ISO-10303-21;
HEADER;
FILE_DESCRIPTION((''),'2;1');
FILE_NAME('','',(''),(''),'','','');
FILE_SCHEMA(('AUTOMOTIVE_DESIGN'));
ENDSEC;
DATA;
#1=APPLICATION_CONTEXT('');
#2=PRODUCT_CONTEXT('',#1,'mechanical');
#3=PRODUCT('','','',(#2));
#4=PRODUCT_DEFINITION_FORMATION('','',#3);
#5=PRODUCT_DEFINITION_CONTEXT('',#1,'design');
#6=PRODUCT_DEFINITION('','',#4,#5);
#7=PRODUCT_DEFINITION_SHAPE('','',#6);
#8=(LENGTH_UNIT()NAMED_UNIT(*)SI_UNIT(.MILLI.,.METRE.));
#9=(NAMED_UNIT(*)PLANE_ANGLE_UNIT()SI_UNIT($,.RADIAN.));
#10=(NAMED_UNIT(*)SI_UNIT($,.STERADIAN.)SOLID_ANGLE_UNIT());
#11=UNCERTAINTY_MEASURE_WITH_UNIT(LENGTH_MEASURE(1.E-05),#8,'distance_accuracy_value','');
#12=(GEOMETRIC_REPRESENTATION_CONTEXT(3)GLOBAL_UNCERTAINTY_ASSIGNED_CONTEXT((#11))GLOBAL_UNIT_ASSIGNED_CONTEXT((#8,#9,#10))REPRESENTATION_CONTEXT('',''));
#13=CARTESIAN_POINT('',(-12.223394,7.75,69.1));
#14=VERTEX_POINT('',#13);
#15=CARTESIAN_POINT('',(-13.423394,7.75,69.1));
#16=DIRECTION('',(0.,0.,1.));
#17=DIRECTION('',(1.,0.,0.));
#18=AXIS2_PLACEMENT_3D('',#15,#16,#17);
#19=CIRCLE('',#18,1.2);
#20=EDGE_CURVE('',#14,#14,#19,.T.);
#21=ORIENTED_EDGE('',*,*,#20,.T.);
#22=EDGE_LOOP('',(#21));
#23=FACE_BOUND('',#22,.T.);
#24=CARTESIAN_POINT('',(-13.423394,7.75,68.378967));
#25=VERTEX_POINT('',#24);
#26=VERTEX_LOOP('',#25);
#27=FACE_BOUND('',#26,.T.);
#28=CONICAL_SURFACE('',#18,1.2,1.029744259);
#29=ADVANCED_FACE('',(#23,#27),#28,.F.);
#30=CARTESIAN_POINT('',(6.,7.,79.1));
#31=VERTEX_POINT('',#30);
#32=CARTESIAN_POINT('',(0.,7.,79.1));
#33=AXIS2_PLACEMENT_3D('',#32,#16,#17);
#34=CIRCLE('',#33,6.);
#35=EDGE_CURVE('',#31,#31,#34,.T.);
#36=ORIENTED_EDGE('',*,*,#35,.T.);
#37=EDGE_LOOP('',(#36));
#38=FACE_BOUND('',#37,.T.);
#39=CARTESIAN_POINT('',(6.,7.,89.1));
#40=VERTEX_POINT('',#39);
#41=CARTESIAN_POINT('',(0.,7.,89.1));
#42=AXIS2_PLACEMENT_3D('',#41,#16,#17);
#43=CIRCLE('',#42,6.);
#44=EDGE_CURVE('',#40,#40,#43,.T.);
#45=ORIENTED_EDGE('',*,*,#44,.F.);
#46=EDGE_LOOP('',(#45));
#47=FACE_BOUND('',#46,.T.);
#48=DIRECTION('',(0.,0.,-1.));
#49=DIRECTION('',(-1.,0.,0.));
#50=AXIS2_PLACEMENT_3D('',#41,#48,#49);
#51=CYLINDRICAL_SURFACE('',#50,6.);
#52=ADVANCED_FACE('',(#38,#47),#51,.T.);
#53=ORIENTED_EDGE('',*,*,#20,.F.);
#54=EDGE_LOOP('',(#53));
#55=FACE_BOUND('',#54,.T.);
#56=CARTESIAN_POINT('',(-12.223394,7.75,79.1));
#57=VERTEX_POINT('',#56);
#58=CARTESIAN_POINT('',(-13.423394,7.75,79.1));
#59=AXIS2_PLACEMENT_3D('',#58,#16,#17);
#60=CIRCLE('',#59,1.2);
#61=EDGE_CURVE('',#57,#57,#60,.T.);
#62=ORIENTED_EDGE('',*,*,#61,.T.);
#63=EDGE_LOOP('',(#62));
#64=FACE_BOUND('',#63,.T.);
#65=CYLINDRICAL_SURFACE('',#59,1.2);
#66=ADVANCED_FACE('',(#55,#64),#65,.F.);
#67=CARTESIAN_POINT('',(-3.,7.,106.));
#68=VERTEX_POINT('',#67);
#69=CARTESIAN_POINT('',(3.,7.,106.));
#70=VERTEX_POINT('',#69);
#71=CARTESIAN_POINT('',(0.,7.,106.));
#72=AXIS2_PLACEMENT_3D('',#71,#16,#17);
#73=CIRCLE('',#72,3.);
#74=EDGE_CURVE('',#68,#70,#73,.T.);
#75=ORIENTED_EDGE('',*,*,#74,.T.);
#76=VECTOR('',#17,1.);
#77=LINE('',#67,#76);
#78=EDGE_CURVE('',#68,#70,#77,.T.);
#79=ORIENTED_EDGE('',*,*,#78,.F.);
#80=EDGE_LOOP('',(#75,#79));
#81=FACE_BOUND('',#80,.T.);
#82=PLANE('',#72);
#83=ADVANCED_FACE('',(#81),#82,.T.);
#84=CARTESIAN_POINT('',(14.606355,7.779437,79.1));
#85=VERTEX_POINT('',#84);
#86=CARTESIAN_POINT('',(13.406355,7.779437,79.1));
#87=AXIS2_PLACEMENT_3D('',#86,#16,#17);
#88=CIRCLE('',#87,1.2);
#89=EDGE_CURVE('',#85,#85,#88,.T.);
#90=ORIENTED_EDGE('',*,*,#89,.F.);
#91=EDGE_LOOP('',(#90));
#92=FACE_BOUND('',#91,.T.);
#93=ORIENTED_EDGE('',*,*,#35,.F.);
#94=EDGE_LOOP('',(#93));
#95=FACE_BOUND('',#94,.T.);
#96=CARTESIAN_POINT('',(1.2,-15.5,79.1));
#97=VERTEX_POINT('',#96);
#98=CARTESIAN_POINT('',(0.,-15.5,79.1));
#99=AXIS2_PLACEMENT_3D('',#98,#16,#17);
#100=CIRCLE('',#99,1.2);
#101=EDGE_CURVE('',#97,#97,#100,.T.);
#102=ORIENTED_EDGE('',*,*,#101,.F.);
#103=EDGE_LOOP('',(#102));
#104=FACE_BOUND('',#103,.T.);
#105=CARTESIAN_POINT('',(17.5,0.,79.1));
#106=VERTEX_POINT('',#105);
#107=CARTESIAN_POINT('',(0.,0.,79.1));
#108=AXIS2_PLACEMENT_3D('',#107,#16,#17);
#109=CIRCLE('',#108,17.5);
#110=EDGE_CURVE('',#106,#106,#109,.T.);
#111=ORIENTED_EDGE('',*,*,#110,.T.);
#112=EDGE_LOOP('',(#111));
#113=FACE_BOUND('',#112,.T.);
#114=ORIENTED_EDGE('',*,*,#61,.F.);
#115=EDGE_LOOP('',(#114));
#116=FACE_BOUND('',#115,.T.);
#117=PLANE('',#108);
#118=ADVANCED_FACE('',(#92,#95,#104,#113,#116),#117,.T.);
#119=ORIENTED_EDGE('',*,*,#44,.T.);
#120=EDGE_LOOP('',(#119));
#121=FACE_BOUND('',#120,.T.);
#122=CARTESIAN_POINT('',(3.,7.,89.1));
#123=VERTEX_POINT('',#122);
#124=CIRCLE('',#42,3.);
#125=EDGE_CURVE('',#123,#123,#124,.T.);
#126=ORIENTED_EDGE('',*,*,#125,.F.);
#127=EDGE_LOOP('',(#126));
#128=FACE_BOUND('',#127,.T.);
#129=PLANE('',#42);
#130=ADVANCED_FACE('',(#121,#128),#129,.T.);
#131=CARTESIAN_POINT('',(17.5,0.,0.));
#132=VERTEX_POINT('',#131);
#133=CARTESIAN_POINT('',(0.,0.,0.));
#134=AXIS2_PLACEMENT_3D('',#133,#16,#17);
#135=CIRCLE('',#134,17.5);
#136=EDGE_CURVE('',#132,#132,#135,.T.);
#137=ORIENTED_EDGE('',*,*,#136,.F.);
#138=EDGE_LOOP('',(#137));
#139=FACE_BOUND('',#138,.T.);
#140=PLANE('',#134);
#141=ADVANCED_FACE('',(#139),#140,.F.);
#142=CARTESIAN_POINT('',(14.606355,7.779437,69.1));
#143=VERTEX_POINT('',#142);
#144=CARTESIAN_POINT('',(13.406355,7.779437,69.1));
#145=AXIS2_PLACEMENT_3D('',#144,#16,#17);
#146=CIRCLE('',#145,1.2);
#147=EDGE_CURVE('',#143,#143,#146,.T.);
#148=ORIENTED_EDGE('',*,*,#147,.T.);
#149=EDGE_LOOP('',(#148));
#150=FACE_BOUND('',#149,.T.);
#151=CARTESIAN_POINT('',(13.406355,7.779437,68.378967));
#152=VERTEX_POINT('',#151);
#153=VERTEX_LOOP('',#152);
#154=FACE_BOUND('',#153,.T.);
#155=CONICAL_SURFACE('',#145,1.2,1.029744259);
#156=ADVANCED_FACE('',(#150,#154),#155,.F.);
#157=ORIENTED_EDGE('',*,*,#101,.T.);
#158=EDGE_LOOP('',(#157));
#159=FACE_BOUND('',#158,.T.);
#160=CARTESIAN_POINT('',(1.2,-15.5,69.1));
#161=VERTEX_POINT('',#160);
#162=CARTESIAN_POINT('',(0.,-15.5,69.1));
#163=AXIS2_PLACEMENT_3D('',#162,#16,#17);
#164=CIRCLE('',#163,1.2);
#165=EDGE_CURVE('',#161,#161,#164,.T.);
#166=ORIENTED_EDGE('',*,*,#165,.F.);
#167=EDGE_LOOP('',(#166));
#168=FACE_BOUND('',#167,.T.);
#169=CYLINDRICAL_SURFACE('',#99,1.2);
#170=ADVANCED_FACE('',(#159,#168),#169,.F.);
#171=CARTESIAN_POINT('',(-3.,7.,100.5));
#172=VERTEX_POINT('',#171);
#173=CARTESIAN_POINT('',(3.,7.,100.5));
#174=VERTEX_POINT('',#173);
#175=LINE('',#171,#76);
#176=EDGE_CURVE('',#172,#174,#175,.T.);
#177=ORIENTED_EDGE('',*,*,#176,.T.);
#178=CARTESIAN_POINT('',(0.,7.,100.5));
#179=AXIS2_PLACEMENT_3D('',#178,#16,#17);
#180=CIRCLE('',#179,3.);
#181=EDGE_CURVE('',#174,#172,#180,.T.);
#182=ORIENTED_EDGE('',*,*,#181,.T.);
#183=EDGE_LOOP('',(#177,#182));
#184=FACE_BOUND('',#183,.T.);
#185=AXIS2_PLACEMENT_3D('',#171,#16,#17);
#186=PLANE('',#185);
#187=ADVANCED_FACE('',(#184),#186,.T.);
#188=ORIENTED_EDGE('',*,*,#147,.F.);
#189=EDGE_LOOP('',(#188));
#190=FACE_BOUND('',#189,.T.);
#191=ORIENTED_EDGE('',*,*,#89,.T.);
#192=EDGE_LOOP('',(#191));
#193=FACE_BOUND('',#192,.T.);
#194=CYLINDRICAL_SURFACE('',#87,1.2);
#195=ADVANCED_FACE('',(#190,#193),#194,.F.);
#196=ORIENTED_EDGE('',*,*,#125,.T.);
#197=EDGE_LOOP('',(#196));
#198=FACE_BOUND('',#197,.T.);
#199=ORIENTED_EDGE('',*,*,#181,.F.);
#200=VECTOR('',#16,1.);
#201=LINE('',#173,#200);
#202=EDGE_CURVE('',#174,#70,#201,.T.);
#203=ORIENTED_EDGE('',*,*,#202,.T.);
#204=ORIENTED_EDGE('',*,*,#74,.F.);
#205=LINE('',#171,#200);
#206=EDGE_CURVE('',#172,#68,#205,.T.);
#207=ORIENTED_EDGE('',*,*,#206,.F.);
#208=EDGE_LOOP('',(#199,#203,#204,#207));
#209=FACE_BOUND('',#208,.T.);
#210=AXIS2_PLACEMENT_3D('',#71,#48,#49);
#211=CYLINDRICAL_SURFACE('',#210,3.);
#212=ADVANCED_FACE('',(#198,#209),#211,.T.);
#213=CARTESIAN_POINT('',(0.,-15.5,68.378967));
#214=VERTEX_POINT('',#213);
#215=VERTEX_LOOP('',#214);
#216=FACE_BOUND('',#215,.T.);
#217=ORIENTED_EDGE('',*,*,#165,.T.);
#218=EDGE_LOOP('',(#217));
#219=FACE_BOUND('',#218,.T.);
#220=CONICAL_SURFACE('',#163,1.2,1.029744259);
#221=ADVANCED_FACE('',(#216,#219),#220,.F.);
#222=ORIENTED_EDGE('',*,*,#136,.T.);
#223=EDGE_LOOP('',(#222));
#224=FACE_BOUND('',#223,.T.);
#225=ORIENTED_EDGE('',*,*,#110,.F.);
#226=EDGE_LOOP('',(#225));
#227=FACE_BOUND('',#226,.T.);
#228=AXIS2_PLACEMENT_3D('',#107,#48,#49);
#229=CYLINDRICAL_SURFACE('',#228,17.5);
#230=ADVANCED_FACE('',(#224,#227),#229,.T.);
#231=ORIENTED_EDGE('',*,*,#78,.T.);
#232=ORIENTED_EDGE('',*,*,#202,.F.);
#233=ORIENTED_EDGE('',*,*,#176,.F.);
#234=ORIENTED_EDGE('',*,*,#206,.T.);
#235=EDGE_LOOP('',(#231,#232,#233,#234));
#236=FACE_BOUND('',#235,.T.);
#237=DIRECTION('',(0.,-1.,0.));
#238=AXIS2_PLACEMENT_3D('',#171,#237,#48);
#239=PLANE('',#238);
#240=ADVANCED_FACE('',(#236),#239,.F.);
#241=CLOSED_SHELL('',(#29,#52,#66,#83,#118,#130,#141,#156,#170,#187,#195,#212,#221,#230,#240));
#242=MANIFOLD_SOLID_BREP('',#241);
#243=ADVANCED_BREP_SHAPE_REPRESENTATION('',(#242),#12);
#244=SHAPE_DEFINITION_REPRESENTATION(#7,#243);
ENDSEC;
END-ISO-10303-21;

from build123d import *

# Parameters (mm, degrees)
ESQUISSE1_R             = 17.5
BOSS_EXTRU_1_DEPTH      = 79.1
ESQUISSE2_R             = 6
BOSS_EXTRU_2_DEPTH      = 10
ESQUISSE3_R             = 3
BOSS_EXTRU_3_DEPTH      = 16.9
ESQUISSE4_W             = 6
ESQUISSE4_H             = 3
ENL_V_MAT_EXTRU_1_DEPTH = 5.5
D_GAGEMENT_M24_D        = 2.4
D_GAGEMENT_M24_DEPTH    = 10
D_GAGEMENT_M24_TIP      = 0.721032743


with BuildPart() as part:
    # Esquisse1 → Boss.-Extru.1 (new body)
    with BuildSketch(Plane.XY):
        Circle(ESQUISSE1_R)
    extrude(amount=BOSS_EXTRU_1_DEPTH)

    # Esquisse2 → Boss.-Extru.2 (add)
    with BuildSketch(Plane.XY.offset(79.1)):
        with Locations((0, 7)):
            Circle(ESQUISSE2_R)
    extrude(amount=BOSS_EXTRU_2_DEPTH)

    # Esquisse3 → Boss.-Extru.3 (add)
    with BuildSketch(Plane.XY.offset(89.1)):
        with Locations((0, 7)):
            Circle(ESQUISSE3_R)
    extrude(amount=BOSS_EXTRU_3_DEPTH)

    # Esquisse4 → Enlèv. mat.-Extru.1 (cut)
    with BuildSketch(Plane.XY.offset(106)):
        with Locations((0, 8.5)):
            Rectangle(ESQUISSE4_W, ESQUISSE4_H)
    extrude(amount=-ENL_V_MAT_EXTRU_1_DEPTH, mode=Mode.SUBTRACT)

    # Dégagement M24
    with Locations(Plane(origin=(13.40635523, 7.779436963, 79.1), x_dir=(1, 0, 0), z_dir=(0, 0, 1))):
        with Locations((0, 0), (-13.40635523, -23.279436963), (-26.829748989, -0.029436963)):
            Hole(D_GAGEMENT_M24_D / 2, depth=D_GAGEMENT_M24_DEPTH)
            with Locations((0, 0, -(D_GAGEMENT_M24_DEPTH + D_GAGEMENT_M24_TIP / 2))):  # 118° drill point
                Cone(0, D_GAGEMENT_M24_D / 2, D_GAGEMENT_M24_TIP, mode=Mode.SUBTRACT)


solid = part.part
